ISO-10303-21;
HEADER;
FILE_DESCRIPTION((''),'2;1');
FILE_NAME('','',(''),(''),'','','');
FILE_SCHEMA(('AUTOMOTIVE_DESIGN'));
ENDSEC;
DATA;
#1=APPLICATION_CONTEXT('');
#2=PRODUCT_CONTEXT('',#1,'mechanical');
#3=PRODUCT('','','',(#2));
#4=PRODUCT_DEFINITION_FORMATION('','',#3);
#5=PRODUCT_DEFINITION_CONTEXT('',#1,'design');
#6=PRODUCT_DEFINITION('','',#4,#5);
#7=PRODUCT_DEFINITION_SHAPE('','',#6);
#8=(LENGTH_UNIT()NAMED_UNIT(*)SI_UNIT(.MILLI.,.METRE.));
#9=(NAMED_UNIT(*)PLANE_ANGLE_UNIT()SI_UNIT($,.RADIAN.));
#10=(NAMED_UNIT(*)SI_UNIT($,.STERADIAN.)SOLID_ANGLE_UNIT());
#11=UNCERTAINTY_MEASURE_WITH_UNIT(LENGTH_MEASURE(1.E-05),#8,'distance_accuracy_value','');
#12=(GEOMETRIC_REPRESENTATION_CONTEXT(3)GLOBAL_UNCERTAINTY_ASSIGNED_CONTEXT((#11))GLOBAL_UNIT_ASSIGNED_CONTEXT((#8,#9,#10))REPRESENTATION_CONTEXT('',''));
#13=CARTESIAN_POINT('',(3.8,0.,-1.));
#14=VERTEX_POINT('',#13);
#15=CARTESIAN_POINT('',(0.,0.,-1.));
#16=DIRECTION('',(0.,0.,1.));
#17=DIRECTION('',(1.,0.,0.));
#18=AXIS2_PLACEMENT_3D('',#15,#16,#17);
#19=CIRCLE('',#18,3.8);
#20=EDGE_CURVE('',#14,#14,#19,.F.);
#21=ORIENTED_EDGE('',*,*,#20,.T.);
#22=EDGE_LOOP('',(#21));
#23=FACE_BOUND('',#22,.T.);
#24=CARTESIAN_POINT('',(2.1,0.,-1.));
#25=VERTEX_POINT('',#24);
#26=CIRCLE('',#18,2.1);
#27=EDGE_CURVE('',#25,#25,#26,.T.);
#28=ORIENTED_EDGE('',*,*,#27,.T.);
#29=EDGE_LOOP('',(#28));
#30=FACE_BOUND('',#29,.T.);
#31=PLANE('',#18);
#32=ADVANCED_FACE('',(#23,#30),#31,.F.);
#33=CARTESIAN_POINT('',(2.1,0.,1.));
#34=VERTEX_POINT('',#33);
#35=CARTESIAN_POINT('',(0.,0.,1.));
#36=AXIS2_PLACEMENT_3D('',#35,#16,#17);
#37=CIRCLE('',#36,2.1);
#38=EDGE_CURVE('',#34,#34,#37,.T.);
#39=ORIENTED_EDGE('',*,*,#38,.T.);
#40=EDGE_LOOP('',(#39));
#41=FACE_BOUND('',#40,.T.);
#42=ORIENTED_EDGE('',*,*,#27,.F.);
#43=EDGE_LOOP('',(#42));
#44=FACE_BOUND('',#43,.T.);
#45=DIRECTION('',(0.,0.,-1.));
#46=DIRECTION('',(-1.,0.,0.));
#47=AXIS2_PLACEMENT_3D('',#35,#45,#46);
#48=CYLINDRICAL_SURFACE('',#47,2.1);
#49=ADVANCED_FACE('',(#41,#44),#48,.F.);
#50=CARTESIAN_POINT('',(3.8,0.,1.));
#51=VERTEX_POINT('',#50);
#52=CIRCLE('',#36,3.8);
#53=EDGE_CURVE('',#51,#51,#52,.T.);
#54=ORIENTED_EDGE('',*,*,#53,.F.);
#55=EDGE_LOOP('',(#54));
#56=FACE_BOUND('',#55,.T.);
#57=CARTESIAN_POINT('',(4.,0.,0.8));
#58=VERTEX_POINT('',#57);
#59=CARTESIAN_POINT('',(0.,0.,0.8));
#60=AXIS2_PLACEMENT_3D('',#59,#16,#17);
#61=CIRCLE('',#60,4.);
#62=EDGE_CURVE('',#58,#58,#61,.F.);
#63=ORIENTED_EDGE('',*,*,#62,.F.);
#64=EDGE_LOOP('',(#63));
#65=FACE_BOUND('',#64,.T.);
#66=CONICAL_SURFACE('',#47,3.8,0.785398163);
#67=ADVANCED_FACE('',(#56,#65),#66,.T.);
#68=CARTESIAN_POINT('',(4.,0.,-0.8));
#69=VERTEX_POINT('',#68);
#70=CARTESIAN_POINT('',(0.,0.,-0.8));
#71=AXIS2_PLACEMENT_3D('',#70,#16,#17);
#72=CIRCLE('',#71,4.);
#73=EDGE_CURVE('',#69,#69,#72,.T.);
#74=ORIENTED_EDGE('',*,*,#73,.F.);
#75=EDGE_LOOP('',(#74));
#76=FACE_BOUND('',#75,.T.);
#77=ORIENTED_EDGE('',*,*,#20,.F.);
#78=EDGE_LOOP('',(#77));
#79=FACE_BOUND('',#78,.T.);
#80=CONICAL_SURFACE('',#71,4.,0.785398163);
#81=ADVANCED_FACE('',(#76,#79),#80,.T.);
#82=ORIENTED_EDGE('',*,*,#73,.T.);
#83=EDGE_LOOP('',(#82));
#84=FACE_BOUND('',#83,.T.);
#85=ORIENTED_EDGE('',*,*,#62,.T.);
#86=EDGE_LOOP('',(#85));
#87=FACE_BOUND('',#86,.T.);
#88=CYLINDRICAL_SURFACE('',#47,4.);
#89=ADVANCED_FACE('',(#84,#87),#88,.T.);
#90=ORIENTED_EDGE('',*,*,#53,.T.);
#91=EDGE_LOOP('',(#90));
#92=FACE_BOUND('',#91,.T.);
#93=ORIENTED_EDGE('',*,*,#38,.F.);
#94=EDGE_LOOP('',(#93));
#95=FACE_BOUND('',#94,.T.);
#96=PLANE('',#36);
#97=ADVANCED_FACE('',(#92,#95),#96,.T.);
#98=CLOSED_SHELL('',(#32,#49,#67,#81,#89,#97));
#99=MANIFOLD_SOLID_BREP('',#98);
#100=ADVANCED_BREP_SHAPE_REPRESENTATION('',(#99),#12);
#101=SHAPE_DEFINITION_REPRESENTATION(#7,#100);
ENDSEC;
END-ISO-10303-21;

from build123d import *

# Parameters (mm, degrees)
SKETCH_1_R      = 4
SKETCH_1_R_2    = 2.1
EXTRUDE_1_DEPTH = 1
CHAMFER_1_SIZE  = 0.2


with BuildPart() as part:
    # 草图1 → 凸台-拉伸1 (new body, symmetric)
    with BuildSketch(Plane.XY):
        Circle(SKETCH_1_R)
        Circle(SKETCH_1_R_2, mode=Mode.SUBTRACT)
    extrude(amount=EXTRUDE_1_DEPTH, both=True)

    # 倒角1
    chamfer_1_edges = [part.edges().sort_by_distance(p)[0] for p in [
        (-4, 0, -1),
        (-4, 0, 1),
    ]]
    chamfer(chamfer_1_edges, length=CHAMFER_1_SIZE)


solid = part.part
